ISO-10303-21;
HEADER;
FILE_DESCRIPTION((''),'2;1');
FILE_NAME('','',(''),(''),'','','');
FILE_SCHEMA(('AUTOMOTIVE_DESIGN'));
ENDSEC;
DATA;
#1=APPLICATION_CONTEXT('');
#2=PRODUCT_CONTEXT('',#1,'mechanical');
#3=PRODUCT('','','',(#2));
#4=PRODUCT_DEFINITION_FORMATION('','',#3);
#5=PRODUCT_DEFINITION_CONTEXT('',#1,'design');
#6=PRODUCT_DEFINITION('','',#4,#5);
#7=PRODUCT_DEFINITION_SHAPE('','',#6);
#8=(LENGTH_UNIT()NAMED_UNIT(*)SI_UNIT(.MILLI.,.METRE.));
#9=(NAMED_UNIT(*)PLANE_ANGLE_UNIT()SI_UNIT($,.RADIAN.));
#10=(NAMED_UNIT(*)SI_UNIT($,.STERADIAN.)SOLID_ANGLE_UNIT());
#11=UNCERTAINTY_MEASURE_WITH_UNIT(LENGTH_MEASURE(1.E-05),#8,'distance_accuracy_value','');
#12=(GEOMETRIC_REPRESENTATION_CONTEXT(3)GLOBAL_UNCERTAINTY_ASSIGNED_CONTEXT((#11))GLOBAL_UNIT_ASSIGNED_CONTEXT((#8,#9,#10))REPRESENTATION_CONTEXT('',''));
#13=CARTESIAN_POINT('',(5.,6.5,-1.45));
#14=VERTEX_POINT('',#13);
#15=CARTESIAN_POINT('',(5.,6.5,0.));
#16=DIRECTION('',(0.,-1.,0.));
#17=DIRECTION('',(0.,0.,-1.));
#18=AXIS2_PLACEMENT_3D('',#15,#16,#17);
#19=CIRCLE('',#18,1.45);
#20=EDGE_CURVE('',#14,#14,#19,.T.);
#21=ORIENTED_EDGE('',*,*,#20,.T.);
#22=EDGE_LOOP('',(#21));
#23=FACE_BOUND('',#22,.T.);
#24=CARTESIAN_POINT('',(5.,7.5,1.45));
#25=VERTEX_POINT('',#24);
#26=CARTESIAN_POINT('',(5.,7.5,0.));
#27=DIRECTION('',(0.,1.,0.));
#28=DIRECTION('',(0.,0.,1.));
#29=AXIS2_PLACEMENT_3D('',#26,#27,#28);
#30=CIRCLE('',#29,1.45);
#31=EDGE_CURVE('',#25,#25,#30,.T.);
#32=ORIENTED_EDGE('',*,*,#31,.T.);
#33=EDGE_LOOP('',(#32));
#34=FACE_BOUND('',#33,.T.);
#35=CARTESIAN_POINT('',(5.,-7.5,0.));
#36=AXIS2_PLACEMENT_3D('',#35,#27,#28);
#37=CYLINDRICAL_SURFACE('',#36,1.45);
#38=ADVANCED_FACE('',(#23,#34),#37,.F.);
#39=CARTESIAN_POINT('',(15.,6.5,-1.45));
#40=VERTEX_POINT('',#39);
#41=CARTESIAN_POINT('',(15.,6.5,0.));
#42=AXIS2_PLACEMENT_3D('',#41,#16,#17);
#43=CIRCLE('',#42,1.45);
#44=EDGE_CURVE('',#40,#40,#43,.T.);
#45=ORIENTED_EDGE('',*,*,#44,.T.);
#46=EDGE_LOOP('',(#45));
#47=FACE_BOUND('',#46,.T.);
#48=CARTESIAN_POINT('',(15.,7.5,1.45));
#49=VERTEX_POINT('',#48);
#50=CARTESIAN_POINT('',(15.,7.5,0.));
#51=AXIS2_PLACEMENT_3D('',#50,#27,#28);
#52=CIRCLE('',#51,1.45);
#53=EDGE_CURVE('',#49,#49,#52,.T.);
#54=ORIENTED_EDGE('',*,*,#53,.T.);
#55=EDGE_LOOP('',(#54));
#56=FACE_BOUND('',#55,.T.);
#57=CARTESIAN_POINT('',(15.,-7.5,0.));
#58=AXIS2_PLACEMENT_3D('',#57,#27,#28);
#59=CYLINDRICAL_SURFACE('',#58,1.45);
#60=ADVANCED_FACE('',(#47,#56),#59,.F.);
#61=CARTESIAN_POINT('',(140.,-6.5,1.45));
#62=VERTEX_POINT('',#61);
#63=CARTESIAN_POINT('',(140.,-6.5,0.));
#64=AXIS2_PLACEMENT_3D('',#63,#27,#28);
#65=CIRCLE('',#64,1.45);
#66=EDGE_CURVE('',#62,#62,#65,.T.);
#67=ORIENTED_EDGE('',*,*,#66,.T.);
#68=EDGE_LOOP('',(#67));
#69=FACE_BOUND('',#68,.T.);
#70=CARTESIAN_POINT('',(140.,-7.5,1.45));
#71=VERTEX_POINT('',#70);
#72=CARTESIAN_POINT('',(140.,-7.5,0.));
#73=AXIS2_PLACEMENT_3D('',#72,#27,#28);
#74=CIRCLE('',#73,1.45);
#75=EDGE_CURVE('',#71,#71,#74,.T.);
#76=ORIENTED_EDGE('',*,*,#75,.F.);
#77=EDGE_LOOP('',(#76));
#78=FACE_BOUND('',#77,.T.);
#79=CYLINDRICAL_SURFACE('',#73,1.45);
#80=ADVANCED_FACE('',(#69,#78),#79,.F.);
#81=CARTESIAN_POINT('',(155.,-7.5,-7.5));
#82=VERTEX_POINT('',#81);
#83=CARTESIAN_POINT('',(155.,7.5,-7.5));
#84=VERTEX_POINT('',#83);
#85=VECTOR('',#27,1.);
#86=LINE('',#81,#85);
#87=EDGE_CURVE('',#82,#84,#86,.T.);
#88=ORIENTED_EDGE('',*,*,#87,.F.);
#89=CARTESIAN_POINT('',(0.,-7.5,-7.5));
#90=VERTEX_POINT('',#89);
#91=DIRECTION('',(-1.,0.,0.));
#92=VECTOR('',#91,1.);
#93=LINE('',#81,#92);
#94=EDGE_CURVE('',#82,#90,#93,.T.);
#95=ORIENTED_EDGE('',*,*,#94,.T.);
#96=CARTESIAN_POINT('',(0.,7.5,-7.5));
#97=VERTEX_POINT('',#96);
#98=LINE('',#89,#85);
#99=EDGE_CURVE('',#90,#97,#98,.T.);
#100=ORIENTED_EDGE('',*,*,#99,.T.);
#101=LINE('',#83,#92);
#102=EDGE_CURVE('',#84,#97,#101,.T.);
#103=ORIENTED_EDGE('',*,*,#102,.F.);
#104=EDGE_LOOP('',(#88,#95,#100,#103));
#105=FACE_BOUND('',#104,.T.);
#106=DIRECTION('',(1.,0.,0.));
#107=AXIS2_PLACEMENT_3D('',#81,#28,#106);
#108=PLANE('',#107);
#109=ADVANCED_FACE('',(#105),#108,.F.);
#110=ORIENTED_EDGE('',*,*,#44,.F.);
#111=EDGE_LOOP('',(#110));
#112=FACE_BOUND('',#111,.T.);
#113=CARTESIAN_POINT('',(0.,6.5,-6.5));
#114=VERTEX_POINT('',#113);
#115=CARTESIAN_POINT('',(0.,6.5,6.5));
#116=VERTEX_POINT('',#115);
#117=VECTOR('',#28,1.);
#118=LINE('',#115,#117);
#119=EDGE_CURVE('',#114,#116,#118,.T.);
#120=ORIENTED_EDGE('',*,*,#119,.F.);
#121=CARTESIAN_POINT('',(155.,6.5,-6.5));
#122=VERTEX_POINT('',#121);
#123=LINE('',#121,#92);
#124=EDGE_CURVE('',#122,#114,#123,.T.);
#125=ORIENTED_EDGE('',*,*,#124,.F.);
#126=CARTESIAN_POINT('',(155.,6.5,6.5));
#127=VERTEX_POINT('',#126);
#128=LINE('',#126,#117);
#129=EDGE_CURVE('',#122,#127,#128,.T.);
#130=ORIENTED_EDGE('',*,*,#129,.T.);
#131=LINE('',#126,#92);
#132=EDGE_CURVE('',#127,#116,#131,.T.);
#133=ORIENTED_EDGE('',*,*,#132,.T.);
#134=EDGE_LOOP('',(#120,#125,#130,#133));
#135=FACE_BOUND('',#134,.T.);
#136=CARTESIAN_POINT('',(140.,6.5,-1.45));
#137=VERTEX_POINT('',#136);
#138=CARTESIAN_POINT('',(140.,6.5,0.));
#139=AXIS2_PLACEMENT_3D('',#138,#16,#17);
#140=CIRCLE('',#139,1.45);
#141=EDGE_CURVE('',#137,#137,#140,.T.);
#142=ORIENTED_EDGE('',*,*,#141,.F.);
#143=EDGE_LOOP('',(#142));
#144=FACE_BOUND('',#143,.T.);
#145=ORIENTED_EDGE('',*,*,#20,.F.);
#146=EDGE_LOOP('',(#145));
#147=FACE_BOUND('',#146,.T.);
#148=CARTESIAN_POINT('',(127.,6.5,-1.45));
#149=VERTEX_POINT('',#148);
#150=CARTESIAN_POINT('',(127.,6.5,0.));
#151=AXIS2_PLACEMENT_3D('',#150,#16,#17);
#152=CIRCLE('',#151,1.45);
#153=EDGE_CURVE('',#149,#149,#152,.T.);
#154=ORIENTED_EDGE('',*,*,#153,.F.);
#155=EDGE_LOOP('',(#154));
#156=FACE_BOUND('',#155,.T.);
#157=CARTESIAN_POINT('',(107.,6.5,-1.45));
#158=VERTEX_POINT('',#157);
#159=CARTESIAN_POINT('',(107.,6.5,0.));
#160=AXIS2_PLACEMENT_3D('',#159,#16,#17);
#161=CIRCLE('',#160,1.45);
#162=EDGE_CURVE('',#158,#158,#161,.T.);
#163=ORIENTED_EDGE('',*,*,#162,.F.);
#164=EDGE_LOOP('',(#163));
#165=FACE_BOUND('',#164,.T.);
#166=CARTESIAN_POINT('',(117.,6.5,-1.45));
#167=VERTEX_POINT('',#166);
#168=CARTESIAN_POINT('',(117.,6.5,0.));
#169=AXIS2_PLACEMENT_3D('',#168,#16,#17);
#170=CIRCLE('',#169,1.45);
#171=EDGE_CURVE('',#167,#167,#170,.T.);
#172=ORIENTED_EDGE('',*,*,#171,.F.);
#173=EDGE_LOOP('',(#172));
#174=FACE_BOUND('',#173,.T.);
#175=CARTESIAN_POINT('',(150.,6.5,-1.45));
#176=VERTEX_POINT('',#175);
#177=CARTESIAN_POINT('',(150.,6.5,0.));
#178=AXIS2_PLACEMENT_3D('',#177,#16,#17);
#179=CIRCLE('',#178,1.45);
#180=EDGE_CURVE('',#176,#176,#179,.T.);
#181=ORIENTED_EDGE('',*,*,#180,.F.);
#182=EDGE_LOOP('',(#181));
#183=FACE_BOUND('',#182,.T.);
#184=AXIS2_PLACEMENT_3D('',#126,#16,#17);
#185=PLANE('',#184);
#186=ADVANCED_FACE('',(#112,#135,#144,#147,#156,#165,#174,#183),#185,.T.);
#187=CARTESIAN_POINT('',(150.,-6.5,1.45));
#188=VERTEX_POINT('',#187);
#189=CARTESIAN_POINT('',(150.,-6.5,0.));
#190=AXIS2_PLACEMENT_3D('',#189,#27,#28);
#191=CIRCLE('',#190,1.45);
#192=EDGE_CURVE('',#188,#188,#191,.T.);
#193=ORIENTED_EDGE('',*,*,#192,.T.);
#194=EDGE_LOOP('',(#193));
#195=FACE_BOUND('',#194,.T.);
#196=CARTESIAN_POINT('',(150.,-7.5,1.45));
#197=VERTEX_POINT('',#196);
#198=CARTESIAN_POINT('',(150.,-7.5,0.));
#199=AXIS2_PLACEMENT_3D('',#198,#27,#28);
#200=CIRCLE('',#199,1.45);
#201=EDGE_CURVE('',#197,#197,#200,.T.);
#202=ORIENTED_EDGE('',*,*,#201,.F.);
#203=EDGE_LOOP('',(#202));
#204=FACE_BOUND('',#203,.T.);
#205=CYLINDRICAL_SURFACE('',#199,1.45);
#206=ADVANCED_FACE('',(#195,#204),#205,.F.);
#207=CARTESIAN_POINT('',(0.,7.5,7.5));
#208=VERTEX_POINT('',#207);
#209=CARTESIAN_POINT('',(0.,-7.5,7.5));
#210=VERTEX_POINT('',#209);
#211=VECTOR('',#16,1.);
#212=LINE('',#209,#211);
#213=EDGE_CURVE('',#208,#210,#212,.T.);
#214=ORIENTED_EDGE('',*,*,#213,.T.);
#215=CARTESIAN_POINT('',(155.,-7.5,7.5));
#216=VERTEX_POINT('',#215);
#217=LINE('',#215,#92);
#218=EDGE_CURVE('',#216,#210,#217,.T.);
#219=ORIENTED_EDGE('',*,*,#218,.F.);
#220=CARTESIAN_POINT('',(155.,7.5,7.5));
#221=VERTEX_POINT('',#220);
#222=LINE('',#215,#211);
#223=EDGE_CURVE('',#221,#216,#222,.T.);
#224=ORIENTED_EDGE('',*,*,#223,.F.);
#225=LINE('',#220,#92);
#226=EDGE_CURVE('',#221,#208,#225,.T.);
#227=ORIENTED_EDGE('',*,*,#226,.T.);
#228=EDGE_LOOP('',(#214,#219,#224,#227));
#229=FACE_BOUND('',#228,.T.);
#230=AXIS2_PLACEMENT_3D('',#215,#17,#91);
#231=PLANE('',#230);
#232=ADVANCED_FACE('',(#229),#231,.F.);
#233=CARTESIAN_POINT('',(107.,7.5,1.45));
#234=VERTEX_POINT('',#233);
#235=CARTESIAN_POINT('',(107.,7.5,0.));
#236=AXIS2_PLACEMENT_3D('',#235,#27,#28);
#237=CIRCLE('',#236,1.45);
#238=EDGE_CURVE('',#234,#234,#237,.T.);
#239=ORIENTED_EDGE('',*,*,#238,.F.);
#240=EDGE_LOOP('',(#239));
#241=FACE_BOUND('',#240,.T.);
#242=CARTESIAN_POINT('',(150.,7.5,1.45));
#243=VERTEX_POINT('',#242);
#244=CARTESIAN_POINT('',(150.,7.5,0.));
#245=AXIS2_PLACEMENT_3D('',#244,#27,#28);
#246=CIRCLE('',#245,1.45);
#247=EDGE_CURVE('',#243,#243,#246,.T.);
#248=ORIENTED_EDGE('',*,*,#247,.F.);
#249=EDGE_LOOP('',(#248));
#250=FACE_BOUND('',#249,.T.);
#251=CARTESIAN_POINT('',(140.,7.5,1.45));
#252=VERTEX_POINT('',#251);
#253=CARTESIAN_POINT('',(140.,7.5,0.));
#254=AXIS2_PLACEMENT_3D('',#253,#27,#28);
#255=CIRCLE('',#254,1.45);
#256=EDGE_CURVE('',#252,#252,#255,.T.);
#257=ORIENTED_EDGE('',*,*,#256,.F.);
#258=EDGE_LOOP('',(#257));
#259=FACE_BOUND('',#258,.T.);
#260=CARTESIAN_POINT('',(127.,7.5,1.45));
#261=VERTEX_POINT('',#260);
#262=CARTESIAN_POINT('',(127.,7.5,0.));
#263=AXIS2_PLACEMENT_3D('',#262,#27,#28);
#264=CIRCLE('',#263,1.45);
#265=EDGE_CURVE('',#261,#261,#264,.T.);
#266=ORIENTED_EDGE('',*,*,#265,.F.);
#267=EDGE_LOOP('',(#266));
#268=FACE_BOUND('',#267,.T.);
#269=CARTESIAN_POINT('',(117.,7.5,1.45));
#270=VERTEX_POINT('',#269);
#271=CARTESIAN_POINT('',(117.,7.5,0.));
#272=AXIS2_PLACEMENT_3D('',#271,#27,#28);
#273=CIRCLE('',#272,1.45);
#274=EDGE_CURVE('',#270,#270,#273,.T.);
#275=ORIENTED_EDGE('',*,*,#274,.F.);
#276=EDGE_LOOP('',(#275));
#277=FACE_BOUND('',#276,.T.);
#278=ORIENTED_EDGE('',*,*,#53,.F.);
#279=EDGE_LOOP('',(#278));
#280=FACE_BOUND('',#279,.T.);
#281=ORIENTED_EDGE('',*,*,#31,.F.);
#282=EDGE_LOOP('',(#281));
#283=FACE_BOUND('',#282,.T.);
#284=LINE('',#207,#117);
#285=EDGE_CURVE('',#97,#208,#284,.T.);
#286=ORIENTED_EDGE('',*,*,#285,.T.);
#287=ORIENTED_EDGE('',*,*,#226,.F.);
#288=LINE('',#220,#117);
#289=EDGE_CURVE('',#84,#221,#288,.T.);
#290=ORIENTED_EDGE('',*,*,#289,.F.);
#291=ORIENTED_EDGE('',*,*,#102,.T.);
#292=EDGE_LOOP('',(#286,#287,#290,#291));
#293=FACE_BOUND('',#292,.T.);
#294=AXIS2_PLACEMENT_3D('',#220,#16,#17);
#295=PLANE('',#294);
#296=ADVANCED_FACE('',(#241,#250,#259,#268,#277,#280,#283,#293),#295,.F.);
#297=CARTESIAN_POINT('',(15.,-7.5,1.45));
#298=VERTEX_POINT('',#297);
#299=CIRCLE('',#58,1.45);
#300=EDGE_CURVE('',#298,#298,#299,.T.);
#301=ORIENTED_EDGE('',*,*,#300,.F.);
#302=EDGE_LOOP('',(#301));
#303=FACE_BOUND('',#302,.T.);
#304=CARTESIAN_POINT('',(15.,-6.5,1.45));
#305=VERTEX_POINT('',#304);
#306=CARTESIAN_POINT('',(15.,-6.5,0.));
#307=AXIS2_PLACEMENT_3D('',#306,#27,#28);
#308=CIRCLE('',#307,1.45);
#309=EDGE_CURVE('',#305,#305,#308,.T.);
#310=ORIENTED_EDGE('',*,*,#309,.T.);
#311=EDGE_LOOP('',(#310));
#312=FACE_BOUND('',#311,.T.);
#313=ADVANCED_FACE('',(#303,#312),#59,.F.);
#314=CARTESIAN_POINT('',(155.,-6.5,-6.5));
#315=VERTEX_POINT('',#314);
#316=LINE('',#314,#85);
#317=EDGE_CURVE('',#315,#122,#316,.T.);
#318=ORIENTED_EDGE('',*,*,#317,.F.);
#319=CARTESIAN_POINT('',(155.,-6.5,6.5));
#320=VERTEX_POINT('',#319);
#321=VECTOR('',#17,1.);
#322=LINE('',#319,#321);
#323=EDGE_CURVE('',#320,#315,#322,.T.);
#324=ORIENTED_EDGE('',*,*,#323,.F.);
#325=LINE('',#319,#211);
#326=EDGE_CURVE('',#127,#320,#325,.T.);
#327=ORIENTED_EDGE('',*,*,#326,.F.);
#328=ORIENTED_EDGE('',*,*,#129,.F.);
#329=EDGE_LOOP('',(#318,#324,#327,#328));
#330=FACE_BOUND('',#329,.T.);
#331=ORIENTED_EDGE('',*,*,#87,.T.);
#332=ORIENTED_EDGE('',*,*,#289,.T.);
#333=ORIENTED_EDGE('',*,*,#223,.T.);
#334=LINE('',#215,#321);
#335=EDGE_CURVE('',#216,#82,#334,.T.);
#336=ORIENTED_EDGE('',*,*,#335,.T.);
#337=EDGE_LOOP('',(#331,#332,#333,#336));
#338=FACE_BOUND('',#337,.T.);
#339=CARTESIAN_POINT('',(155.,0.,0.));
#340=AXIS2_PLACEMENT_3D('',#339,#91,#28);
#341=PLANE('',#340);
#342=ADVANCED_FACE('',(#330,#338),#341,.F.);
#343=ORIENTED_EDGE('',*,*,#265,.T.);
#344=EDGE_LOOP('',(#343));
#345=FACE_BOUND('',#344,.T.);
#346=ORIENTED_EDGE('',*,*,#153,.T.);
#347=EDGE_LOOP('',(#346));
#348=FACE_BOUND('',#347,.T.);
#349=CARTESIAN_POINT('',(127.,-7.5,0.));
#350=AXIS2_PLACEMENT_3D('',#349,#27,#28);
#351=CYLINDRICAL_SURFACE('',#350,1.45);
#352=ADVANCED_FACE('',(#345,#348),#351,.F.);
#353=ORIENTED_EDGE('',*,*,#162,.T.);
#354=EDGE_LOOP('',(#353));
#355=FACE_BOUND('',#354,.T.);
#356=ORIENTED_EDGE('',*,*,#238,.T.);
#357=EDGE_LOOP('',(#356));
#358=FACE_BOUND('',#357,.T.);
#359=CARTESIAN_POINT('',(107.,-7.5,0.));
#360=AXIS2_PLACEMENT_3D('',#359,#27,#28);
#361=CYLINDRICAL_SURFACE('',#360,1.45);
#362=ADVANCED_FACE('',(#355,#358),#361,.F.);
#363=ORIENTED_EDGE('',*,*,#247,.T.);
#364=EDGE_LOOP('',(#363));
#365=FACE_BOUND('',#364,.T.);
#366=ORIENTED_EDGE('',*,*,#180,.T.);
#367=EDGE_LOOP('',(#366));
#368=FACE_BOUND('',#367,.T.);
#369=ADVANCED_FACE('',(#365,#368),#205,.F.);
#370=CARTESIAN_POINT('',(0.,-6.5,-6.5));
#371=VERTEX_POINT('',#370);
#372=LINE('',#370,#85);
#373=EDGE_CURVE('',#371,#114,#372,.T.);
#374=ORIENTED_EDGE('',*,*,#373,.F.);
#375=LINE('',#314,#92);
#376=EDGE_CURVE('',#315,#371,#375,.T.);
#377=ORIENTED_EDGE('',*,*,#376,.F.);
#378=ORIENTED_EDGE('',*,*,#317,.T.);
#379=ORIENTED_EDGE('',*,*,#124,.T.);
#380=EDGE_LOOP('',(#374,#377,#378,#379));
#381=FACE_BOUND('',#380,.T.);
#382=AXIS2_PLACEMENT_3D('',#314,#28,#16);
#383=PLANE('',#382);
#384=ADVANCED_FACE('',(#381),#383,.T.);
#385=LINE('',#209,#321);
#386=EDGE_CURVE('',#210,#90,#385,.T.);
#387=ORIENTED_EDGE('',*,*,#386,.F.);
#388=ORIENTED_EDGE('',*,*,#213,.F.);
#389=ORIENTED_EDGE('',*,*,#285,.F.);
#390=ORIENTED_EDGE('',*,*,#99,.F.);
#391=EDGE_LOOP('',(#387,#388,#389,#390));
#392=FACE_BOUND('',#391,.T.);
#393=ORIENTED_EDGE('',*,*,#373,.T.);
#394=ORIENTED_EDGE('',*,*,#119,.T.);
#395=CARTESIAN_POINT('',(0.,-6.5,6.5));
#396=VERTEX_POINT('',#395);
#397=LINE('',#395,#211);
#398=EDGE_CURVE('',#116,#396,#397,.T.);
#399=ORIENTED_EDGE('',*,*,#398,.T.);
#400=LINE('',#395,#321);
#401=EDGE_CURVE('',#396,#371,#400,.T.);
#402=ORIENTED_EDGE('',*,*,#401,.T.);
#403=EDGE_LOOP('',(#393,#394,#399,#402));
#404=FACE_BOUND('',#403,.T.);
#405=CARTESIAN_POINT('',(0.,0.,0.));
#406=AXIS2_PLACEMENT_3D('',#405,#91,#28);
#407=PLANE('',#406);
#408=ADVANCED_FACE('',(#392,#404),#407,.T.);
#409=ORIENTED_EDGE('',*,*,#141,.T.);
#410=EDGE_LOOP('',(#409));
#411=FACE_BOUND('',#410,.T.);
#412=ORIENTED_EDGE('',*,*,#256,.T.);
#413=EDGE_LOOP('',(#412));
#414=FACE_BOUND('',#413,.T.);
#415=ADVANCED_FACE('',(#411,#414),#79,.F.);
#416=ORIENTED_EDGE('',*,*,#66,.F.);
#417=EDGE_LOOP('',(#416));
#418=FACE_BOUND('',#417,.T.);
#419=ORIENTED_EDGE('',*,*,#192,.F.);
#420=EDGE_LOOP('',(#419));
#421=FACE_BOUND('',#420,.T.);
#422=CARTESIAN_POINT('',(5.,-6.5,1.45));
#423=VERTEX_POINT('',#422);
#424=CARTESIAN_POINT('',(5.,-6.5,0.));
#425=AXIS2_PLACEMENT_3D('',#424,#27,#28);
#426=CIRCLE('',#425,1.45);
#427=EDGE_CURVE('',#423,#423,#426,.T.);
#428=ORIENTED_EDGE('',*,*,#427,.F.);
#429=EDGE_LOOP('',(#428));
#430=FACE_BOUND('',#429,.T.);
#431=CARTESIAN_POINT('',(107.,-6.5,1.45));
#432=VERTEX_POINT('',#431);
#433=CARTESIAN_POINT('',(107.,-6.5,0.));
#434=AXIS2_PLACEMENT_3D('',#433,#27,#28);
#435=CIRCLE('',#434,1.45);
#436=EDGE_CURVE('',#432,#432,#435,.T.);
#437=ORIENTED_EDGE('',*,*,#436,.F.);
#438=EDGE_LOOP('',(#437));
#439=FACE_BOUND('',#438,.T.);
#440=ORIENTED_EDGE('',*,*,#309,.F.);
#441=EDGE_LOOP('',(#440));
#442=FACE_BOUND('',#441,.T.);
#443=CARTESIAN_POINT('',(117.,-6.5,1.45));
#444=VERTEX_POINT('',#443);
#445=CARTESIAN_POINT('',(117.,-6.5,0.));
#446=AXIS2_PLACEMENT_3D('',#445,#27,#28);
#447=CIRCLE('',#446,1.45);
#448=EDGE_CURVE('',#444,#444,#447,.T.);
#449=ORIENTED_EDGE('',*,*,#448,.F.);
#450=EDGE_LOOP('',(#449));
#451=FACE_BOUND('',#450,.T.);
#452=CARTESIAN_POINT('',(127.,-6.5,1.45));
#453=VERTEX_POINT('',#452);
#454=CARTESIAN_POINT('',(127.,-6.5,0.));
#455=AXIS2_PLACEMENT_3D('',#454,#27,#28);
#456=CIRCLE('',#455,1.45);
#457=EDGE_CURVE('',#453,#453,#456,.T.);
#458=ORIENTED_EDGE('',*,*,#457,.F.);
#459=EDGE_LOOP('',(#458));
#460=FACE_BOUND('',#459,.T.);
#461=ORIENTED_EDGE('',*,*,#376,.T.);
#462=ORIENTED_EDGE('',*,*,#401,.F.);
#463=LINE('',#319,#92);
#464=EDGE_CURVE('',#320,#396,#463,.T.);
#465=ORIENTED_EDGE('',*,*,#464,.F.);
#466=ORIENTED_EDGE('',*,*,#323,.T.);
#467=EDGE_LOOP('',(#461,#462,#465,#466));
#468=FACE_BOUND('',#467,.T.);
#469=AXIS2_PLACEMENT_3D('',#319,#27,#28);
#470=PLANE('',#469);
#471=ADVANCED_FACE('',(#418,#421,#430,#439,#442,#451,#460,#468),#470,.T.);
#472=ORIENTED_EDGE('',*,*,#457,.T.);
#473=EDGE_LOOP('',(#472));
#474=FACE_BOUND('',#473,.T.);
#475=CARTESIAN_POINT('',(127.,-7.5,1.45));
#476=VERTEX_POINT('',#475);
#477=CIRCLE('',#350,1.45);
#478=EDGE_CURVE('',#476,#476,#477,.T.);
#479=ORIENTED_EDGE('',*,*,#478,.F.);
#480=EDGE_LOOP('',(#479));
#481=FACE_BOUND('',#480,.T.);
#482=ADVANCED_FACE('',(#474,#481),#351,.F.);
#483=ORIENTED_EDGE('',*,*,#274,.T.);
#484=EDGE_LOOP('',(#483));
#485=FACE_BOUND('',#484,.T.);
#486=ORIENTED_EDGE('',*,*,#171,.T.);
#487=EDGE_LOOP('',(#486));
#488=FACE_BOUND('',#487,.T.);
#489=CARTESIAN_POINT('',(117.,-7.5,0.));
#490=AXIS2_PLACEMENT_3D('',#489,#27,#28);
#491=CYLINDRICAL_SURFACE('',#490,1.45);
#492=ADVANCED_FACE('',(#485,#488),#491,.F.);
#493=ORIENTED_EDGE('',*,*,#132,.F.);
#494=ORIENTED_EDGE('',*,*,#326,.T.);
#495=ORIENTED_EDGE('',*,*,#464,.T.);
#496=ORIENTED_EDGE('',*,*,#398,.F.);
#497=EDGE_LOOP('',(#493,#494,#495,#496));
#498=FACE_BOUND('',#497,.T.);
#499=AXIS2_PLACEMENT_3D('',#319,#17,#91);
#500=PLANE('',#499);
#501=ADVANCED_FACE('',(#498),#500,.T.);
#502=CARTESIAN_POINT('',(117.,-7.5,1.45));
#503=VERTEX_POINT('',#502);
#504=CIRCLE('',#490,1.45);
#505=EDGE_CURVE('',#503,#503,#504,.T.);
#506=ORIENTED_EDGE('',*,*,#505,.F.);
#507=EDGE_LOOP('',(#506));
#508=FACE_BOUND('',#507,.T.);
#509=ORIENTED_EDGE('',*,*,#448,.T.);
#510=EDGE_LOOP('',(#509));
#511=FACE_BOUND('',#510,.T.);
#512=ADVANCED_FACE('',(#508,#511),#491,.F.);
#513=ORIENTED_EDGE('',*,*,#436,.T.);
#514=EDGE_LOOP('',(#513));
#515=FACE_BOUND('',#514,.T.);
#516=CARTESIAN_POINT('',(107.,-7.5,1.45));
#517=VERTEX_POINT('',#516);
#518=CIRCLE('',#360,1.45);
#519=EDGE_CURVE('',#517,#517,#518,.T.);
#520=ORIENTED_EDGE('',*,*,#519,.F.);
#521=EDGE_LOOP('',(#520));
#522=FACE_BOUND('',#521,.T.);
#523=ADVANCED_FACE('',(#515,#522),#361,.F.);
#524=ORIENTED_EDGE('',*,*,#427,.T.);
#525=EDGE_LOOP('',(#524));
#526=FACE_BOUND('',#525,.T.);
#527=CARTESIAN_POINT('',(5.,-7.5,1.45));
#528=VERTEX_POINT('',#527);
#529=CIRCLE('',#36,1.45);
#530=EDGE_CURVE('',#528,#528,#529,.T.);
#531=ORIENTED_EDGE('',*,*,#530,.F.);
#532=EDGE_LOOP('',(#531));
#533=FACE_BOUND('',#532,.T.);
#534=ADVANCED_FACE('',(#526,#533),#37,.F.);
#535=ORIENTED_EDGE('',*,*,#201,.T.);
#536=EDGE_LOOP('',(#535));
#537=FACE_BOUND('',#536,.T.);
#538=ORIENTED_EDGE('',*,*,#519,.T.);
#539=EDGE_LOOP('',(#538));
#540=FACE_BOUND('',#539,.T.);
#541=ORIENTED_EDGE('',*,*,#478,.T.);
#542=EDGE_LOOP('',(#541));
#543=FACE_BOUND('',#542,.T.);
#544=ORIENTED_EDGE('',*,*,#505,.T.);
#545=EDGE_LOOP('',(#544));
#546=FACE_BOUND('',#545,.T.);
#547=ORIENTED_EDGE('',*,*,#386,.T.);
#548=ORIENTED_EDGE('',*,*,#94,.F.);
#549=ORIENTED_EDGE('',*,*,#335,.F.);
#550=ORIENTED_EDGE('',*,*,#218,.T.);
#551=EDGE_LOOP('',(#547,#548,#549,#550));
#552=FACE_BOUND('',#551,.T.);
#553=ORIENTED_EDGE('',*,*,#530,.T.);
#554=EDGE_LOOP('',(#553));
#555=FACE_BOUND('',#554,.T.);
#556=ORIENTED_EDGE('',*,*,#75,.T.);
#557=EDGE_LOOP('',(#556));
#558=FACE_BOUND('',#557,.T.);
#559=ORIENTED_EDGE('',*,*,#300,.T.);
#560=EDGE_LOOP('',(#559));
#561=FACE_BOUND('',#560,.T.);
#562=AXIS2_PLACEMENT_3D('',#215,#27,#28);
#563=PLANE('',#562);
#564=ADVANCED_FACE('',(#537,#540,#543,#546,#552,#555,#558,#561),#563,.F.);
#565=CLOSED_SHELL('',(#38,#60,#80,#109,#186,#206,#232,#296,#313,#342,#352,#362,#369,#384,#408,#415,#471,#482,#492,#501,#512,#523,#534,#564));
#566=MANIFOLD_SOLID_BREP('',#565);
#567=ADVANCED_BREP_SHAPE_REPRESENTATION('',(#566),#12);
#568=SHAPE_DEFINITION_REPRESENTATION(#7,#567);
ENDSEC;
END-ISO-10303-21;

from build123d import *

# Parameters (mm, degrees)
SKETCH_1_W          = 15
SKETCH_1_H          = 15
SKETCH_1_W_2        = 13
SKETCH_1_H_2        = 13
EXTRUDE_1_DEPTH     = 155
SKETCH_2_R          = 1.45
CUT_EXTRUDE_1_DEPTH = 156.904618277


with BuildPart() as part:
    # 草图1 → 凸台-拉伸1 (new body)
    with BuildSketch(Plane(origin=(0, 0, 0), x_dir=(0, 0, -1), z_dir=(1, 0, 0))):
        Rectangle(SKETCH_1_W, SKETCH_1_H)
        Rectangle(SKETCH_1_W_2, SKETCH_1_H_2, mode=Mode.SUBTRACT)
    extrude(amount=EXTRUDE_1_DEPTH)

    # 草图2 → 切除-拉伸1 (cut, through all)
    with BuildSketch(Plane(origin=(0, 7.5, 0), x_dir=(1, 0, 0), z_dir=(0, 1, 0))):
        with Locations(Location((5, 0, 0), (0, 0, 270))):
            Circle(SKETCH_2_R)
        with Locations(Location((15, 0, 0), (0, 0, 270))):
            Circle(SKETCH_2_R)
        with Locations(Location((140, 0, 0), (0, 0, 270))):
            Circle(SKETCH_2_R)
        with Locations(Location((150, 0, 0), (0, 0, 270))):
            Circle(SKETCH_2_R)
        with Locations(Location((127, 0, 0), (0, 0, 270))):
            Circle(SKETCH_2_R)
        with Locations(Location((117, 0, 0), (0, 0, 270))):
            Circle(SKETCH_2_R)
        with Locations(Location((107, 0, 0), (0, 0, 270))):
            Circle(SKETCH_2_R)
    extrude(amount=-CUT_EXTRUDE_1_DEPTH, mode=Mode.SUBTRACT)


solid = part.part
